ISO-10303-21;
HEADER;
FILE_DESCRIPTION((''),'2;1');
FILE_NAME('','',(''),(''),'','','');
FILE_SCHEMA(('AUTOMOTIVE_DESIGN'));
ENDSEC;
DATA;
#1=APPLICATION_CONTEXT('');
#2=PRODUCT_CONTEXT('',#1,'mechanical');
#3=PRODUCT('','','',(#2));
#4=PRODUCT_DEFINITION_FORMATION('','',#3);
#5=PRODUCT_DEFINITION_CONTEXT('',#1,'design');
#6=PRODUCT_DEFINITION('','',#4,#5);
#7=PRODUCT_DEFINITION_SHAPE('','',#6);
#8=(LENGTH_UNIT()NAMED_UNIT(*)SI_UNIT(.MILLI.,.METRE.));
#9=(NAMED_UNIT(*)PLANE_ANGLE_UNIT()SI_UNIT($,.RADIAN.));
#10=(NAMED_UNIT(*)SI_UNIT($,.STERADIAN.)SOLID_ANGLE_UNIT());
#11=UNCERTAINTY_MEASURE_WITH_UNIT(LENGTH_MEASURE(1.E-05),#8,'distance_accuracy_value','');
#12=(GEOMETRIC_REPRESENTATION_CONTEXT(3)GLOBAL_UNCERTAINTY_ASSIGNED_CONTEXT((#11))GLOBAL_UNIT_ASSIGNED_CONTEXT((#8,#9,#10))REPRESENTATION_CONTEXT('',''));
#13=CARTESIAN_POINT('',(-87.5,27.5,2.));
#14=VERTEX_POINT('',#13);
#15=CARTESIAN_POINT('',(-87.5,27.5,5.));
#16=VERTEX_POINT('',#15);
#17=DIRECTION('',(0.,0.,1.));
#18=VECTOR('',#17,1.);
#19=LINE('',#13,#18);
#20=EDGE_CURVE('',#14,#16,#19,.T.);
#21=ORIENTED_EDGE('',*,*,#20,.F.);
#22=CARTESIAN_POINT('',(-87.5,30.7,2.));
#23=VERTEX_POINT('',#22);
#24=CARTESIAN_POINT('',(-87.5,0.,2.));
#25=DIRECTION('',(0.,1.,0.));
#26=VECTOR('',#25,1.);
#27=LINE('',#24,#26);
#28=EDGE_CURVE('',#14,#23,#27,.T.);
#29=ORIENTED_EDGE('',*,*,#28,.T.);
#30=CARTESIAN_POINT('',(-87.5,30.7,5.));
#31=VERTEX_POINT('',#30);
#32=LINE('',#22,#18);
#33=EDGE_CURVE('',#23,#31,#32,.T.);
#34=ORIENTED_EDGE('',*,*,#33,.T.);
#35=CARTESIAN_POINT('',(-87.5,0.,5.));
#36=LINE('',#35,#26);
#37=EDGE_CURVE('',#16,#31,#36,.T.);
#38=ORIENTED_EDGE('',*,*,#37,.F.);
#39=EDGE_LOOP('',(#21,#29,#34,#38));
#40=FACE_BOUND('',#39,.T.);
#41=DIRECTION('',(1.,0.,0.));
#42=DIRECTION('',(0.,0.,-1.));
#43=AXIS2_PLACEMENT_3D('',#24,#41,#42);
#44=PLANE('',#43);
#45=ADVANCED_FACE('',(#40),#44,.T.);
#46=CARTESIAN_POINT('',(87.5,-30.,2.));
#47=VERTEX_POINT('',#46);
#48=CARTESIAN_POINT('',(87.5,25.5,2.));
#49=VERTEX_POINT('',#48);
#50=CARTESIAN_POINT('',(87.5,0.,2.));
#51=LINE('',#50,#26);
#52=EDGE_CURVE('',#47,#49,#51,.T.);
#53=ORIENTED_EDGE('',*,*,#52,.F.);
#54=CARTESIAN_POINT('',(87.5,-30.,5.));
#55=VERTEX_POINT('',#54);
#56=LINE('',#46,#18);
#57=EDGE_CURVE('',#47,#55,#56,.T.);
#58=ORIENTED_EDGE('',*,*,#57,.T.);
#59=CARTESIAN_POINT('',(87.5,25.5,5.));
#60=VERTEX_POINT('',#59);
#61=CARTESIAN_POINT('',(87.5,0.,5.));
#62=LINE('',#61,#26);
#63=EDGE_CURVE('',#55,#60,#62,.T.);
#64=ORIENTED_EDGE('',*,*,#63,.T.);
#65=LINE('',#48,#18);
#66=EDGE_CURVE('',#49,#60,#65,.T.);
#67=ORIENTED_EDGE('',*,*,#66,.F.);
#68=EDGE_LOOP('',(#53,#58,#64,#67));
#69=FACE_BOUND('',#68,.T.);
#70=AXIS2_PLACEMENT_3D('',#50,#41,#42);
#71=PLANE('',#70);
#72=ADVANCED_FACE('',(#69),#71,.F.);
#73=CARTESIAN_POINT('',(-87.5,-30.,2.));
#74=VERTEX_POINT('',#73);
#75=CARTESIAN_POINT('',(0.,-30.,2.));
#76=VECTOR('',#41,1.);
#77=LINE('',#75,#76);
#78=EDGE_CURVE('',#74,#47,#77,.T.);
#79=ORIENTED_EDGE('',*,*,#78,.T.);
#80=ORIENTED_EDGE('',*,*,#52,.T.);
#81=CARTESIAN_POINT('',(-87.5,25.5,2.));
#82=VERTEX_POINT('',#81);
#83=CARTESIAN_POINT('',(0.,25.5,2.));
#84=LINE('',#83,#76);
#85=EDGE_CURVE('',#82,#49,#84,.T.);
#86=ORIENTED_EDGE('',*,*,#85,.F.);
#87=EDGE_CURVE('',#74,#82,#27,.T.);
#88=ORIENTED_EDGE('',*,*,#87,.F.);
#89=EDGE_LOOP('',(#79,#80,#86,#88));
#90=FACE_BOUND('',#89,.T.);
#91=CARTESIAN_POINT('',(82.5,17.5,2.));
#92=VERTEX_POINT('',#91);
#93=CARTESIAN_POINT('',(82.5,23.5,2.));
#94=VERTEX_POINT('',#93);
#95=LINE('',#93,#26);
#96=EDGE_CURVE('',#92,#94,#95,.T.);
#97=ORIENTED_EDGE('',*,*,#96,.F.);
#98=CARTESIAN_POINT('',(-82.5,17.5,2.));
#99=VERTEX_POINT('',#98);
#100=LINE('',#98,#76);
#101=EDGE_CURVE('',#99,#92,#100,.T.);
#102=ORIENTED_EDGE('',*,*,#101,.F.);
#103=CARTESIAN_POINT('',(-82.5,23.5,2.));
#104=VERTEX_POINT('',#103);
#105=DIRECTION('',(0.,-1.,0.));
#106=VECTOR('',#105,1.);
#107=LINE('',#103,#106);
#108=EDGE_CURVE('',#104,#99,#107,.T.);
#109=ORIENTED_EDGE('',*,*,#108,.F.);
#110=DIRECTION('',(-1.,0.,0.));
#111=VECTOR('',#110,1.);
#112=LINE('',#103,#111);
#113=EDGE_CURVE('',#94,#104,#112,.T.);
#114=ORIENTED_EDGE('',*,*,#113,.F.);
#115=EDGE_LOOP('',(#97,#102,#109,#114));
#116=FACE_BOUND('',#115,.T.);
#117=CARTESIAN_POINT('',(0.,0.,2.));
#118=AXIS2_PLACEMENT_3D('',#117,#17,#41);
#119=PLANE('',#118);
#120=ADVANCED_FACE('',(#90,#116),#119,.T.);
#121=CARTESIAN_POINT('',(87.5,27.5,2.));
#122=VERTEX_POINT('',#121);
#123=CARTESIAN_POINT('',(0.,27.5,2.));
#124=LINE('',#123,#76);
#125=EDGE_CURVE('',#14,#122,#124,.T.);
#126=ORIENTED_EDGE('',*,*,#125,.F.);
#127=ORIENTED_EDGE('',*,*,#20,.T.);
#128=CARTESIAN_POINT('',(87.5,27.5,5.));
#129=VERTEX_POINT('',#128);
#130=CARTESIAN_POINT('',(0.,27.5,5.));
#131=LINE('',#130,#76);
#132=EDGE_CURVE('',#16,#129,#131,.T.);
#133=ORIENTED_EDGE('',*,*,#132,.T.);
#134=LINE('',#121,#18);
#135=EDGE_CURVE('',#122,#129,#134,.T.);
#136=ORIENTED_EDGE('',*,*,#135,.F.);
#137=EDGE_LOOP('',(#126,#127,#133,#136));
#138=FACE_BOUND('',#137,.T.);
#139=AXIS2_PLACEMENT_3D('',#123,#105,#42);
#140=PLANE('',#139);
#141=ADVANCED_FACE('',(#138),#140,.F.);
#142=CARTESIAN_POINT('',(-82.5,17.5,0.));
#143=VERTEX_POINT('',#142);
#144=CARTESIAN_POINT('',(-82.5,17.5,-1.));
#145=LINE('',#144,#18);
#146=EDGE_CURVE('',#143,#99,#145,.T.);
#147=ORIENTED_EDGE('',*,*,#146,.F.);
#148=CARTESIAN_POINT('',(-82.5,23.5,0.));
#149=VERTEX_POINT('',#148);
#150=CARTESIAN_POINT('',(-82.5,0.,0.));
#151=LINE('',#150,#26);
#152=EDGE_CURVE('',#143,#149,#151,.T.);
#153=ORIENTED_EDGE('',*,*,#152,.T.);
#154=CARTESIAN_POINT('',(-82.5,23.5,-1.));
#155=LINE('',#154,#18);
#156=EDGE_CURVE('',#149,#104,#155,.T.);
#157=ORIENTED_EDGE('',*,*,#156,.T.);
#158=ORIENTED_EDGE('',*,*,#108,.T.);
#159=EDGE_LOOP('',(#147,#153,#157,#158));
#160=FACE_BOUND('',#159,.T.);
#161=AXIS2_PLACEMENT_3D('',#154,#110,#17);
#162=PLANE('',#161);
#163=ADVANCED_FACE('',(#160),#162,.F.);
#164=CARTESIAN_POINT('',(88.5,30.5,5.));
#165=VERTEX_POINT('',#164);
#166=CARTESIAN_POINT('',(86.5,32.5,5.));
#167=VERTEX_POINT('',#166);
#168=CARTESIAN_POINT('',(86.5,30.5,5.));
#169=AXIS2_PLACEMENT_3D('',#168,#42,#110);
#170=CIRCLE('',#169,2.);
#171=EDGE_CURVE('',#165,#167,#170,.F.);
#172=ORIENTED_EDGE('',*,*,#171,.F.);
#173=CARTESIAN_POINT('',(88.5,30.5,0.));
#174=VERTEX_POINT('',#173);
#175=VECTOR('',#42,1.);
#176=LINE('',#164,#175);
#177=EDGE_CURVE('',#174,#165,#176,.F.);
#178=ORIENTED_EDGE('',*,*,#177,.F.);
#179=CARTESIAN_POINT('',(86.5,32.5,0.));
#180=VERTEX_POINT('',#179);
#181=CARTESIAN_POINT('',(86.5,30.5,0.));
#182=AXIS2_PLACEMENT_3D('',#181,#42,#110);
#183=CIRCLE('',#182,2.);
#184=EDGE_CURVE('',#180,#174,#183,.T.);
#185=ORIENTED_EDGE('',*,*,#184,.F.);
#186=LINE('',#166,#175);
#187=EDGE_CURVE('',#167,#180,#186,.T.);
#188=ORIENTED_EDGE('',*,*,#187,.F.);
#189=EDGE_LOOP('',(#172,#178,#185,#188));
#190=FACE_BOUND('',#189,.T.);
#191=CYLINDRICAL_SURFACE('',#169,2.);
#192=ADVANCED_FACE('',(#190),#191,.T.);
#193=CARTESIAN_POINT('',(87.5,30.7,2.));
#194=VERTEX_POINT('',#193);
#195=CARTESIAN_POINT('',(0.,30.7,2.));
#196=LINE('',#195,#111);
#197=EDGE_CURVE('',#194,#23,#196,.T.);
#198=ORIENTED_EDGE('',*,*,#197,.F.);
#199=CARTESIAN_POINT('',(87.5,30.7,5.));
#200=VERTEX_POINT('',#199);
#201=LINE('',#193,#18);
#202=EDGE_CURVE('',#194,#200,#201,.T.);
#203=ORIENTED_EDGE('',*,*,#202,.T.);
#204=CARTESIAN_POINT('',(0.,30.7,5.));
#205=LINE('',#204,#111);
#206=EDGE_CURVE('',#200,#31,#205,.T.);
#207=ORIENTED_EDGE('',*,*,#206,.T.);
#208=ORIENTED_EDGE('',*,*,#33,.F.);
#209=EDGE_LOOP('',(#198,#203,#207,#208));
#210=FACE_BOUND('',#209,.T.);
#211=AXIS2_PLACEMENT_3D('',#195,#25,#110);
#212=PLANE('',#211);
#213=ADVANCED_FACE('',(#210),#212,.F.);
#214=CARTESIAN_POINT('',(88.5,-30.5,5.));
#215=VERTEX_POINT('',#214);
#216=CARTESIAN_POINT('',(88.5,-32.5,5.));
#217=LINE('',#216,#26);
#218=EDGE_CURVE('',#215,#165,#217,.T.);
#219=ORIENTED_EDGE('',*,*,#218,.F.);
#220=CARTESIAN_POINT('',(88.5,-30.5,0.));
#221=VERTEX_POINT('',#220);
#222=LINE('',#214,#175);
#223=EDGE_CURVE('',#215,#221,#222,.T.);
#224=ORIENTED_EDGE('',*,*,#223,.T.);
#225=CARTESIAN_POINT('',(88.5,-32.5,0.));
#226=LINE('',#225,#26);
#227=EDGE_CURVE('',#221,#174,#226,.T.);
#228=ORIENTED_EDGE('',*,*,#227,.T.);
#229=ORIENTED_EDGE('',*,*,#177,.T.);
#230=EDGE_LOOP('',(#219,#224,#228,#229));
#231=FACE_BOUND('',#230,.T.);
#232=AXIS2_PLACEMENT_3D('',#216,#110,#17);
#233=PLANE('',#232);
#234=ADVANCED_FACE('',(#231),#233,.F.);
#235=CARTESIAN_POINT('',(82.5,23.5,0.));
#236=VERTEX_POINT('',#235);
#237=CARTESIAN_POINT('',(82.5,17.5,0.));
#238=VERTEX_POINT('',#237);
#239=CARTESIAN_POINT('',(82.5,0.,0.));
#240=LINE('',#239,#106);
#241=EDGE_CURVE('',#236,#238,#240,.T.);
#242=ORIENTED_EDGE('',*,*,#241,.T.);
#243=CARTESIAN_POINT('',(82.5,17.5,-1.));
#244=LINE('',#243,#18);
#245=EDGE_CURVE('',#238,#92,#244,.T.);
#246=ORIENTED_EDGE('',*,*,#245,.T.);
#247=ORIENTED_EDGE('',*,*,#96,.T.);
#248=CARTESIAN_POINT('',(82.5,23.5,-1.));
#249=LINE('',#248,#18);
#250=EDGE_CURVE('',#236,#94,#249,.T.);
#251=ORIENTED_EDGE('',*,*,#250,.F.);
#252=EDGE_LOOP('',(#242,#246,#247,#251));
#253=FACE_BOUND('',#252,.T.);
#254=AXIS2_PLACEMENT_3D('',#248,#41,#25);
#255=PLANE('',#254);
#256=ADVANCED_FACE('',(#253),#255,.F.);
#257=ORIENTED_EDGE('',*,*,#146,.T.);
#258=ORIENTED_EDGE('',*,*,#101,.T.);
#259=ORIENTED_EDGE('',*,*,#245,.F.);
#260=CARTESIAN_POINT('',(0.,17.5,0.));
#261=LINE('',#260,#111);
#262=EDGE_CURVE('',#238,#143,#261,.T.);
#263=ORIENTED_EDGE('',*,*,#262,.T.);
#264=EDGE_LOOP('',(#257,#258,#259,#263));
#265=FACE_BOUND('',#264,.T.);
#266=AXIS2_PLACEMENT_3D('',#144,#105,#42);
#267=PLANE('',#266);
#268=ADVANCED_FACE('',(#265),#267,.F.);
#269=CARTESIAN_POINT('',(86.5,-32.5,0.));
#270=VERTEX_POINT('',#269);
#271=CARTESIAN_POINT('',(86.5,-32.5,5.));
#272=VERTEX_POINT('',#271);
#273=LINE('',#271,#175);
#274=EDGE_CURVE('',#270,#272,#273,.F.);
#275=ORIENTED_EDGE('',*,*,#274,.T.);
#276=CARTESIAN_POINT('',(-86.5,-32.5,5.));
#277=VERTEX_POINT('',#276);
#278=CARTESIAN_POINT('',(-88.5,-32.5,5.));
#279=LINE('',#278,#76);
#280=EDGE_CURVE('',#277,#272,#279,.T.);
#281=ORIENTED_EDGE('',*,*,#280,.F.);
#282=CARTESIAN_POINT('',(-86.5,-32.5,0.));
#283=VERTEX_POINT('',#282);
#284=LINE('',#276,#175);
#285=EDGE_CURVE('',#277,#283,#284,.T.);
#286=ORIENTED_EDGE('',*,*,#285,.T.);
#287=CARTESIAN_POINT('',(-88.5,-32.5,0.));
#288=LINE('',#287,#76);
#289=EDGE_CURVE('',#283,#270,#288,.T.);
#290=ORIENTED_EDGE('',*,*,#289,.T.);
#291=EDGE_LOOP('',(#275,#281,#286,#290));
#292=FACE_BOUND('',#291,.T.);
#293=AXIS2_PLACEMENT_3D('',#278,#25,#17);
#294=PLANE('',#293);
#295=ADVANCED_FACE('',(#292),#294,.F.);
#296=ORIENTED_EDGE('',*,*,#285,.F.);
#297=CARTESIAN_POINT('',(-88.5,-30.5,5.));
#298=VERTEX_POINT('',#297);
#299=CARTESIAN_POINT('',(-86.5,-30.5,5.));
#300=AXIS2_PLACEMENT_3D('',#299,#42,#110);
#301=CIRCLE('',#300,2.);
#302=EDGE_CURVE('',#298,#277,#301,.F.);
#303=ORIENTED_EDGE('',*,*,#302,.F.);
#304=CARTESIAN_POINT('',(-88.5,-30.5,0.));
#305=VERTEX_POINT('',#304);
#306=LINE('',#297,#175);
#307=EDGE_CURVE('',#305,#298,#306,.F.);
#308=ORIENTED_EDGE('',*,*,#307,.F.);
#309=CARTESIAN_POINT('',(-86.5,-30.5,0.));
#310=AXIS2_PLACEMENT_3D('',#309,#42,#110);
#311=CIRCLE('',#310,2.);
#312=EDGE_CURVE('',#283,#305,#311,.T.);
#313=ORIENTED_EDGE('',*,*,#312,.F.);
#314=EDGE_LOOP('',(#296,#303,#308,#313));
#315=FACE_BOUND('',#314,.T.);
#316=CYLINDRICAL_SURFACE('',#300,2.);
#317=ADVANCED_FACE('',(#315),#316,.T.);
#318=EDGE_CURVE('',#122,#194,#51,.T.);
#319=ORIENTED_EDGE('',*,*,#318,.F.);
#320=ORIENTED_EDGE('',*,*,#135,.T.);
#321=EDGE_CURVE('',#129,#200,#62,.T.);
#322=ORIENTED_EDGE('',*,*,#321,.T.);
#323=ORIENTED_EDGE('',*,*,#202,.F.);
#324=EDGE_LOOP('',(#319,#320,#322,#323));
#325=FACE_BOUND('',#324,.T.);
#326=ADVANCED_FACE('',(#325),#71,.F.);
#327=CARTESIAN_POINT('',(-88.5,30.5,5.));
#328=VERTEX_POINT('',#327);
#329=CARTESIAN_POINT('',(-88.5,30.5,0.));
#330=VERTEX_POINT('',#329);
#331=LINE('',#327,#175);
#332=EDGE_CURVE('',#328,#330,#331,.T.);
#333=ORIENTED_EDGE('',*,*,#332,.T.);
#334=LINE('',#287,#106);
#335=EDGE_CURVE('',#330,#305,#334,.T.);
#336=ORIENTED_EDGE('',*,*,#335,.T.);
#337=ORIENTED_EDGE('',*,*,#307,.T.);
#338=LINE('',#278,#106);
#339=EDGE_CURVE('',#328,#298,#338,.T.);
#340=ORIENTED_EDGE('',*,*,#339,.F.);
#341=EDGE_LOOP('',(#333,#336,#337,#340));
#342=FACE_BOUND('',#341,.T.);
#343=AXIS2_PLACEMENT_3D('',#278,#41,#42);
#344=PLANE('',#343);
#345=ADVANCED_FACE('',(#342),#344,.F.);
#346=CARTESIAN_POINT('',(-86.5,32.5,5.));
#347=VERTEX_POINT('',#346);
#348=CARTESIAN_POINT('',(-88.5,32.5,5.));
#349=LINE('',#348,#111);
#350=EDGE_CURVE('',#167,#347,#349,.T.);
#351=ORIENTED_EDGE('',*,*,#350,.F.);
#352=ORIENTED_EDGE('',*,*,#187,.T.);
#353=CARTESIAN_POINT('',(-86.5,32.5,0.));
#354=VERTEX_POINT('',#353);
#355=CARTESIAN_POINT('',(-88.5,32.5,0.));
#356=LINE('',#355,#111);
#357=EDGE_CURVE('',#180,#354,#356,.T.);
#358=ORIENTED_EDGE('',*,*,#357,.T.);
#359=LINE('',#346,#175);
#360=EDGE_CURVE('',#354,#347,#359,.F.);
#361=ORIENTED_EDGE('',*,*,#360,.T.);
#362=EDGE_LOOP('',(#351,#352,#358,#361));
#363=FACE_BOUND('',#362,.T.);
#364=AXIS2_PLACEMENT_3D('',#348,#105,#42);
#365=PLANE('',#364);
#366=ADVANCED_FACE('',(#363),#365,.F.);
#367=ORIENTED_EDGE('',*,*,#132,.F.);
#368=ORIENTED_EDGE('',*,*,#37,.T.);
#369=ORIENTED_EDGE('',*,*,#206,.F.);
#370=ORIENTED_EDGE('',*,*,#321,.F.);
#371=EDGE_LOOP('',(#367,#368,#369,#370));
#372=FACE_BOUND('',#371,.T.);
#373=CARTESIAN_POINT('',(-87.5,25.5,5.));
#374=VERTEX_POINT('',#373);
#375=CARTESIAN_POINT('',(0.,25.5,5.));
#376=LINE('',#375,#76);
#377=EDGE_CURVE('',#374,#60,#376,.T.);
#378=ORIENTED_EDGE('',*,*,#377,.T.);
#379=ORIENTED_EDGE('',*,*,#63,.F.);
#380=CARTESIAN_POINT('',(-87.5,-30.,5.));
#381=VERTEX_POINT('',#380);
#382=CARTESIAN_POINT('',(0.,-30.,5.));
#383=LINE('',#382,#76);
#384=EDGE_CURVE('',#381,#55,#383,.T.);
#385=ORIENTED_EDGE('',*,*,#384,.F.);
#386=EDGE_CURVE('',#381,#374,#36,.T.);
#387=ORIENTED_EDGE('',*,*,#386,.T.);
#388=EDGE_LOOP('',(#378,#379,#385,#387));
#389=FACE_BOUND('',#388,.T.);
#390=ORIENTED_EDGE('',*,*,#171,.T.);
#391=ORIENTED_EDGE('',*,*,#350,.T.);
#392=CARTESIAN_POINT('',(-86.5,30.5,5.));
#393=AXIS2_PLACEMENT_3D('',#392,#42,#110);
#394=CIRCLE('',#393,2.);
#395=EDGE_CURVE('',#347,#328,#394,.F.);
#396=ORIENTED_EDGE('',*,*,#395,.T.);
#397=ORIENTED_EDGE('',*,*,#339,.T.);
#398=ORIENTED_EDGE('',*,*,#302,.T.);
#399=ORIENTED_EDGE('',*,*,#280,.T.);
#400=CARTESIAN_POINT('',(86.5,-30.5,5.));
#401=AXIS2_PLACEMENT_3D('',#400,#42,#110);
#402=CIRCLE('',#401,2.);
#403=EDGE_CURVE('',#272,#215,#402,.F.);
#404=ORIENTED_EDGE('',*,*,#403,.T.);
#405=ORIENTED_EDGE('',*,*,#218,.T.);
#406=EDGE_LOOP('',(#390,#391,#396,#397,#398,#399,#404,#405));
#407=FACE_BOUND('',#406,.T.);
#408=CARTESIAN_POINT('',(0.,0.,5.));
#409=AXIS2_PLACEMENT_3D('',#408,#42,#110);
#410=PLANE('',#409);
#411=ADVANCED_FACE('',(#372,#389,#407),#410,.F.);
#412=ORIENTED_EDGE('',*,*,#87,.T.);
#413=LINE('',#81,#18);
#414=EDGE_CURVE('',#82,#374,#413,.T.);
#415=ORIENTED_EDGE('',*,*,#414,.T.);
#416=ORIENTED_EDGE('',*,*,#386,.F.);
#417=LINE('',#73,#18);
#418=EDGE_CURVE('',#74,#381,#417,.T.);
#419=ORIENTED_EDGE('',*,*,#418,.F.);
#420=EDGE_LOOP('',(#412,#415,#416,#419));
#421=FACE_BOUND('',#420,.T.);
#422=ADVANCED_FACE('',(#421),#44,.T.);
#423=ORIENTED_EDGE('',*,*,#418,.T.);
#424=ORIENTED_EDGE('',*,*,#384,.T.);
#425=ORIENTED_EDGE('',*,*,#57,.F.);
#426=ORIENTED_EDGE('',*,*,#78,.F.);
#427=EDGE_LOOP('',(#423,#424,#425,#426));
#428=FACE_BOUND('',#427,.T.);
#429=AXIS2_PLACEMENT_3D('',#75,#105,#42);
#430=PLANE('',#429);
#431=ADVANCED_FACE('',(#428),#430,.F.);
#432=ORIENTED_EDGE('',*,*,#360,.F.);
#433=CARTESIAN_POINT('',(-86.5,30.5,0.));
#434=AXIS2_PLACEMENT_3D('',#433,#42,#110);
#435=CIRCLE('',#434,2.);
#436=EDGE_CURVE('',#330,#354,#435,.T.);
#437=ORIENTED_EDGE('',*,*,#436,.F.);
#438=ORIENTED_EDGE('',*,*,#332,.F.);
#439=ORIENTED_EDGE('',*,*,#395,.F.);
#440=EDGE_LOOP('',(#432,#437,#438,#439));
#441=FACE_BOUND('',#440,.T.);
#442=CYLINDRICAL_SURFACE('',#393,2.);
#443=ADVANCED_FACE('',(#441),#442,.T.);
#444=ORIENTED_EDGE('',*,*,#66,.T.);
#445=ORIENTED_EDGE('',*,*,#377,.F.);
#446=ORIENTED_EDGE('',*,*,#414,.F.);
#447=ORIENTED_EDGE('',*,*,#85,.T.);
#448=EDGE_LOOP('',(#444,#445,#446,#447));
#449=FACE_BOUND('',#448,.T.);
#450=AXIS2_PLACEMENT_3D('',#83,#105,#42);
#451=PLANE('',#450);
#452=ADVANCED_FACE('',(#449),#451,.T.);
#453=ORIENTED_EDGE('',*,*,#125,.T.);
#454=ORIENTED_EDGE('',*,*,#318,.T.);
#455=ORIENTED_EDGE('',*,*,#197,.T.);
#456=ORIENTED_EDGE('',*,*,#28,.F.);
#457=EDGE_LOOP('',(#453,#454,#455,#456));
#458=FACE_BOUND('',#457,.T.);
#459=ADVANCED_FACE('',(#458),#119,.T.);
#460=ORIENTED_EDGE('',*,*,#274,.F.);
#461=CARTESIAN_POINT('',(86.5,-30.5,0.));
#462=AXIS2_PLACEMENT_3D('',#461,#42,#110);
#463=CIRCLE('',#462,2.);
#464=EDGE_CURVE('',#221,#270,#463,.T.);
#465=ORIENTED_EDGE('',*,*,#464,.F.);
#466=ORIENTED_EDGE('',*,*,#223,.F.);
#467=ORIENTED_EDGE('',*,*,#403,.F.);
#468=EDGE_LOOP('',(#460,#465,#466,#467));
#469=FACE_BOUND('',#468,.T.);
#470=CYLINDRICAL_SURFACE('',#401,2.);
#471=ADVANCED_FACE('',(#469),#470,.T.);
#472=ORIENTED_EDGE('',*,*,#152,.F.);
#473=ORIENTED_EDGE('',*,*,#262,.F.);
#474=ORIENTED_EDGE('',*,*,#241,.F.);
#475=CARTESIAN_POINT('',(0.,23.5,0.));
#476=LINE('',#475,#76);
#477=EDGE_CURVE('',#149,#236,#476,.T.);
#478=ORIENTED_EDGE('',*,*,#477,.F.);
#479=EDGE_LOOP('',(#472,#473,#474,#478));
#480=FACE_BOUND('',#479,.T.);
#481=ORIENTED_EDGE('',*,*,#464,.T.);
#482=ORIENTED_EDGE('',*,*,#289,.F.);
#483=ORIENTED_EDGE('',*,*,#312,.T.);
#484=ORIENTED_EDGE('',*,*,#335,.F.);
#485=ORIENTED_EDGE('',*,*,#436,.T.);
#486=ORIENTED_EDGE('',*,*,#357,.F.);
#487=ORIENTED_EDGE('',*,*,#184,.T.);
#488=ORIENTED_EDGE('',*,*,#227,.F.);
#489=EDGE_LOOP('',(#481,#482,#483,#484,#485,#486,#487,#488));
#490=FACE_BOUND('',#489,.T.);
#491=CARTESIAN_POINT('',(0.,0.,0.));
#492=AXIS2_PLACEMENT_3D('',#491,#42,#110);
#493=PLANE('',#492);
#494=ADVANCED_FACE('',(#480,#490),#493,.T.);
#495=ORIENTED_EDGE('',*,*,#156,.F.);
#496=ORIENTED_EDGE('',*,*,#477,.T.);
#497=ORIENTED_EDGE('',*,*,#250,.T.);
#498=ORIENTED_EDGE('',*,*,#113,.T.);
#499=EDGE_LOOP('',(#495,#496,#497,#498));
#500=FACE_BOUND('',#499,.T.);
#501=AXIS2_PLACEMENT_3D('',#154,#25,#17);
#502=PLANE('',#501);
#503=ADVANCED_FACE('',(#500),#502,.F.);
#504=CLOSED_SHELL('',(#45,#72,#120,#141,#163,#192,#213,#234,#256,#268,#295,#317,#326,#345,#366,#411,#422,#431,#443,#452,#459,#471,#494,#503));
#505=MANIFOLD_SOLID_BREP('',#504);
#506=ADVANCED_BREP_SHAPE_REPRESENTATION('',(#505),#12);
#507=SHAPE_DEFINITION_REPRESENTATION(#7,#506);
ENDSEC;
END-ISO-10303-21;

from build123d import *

# Parameters (mm, degrees)
SKETCH_1_W          = 177
SKETCH_1_H          = 65
EXTRUDE_1_DEPTH     = 5
SKETCH_2_W          = 175
SKETCH_2_H          = 2.5
SKETCH_2_H_2        = 55.5
SKETCH_2_H_3        = 0.7
CUT_EXTRUDE_1_DEPTH = 3
FILLET_1_R          = 2
SKETCH_4_W          = 165
SKETCH_4_H          = 6
CUT_EXTRUDE_2_DEPTH = 3


with BuildPart() as part:
    # 草图1 → 凸台-拉伸1 (new body)
    with BuildSketch(Plane.XY):
        Rectangle(SKETCH_1_W, SKETCH_1_H)
    extrude(amount=EXTRUDE_1_DEPTH)

    # 草图2 → 切除-拉伸1 (cut)
    with BuildSketch(Plane.XY.offset(5)):
        with Locations((0, 28.75)):
            Rectangle(SKETCH_2_W, SKETCH_2_H)
        with Locations((0, -2.25)):
            Rectangle(SKETCH_2_W, SKETCH_2_H_2)
        with Locations((0, 30.35)):
            Rectangle(SKETCH_2_W, SKETCH_2_H_3)
    extrude(amount=-CUT_EXTRUDE_1_DEPTH, mode=Mode.SUBTRACT)

    # 圆角1
    fillet_1_edges = [part.edges().sort_by_distance(p)[0] for p in [
        (88.5, -32.5, 2.5),
        (-88.5, -32.5, 2.5),
        (-88.5, 32.5, 2.5),
        (88.5, 32.5, 2.5),
    ]]
    fillet(fillet_1_edges, radius=FILLET_1_R)

    # 草图4 → 切除-拉伸2 (cut)
    with BuildSketch(Plane.XY.offset(2)):
        with Locations((0, 20.5)):
            Rectangle(SKETCH_4_W, SKETCH_4_H)
    extrude(amount=-CUT_EXTRUDE_2_DEPTH, mode=Mode.SUBTRACT)


solid = part.part
